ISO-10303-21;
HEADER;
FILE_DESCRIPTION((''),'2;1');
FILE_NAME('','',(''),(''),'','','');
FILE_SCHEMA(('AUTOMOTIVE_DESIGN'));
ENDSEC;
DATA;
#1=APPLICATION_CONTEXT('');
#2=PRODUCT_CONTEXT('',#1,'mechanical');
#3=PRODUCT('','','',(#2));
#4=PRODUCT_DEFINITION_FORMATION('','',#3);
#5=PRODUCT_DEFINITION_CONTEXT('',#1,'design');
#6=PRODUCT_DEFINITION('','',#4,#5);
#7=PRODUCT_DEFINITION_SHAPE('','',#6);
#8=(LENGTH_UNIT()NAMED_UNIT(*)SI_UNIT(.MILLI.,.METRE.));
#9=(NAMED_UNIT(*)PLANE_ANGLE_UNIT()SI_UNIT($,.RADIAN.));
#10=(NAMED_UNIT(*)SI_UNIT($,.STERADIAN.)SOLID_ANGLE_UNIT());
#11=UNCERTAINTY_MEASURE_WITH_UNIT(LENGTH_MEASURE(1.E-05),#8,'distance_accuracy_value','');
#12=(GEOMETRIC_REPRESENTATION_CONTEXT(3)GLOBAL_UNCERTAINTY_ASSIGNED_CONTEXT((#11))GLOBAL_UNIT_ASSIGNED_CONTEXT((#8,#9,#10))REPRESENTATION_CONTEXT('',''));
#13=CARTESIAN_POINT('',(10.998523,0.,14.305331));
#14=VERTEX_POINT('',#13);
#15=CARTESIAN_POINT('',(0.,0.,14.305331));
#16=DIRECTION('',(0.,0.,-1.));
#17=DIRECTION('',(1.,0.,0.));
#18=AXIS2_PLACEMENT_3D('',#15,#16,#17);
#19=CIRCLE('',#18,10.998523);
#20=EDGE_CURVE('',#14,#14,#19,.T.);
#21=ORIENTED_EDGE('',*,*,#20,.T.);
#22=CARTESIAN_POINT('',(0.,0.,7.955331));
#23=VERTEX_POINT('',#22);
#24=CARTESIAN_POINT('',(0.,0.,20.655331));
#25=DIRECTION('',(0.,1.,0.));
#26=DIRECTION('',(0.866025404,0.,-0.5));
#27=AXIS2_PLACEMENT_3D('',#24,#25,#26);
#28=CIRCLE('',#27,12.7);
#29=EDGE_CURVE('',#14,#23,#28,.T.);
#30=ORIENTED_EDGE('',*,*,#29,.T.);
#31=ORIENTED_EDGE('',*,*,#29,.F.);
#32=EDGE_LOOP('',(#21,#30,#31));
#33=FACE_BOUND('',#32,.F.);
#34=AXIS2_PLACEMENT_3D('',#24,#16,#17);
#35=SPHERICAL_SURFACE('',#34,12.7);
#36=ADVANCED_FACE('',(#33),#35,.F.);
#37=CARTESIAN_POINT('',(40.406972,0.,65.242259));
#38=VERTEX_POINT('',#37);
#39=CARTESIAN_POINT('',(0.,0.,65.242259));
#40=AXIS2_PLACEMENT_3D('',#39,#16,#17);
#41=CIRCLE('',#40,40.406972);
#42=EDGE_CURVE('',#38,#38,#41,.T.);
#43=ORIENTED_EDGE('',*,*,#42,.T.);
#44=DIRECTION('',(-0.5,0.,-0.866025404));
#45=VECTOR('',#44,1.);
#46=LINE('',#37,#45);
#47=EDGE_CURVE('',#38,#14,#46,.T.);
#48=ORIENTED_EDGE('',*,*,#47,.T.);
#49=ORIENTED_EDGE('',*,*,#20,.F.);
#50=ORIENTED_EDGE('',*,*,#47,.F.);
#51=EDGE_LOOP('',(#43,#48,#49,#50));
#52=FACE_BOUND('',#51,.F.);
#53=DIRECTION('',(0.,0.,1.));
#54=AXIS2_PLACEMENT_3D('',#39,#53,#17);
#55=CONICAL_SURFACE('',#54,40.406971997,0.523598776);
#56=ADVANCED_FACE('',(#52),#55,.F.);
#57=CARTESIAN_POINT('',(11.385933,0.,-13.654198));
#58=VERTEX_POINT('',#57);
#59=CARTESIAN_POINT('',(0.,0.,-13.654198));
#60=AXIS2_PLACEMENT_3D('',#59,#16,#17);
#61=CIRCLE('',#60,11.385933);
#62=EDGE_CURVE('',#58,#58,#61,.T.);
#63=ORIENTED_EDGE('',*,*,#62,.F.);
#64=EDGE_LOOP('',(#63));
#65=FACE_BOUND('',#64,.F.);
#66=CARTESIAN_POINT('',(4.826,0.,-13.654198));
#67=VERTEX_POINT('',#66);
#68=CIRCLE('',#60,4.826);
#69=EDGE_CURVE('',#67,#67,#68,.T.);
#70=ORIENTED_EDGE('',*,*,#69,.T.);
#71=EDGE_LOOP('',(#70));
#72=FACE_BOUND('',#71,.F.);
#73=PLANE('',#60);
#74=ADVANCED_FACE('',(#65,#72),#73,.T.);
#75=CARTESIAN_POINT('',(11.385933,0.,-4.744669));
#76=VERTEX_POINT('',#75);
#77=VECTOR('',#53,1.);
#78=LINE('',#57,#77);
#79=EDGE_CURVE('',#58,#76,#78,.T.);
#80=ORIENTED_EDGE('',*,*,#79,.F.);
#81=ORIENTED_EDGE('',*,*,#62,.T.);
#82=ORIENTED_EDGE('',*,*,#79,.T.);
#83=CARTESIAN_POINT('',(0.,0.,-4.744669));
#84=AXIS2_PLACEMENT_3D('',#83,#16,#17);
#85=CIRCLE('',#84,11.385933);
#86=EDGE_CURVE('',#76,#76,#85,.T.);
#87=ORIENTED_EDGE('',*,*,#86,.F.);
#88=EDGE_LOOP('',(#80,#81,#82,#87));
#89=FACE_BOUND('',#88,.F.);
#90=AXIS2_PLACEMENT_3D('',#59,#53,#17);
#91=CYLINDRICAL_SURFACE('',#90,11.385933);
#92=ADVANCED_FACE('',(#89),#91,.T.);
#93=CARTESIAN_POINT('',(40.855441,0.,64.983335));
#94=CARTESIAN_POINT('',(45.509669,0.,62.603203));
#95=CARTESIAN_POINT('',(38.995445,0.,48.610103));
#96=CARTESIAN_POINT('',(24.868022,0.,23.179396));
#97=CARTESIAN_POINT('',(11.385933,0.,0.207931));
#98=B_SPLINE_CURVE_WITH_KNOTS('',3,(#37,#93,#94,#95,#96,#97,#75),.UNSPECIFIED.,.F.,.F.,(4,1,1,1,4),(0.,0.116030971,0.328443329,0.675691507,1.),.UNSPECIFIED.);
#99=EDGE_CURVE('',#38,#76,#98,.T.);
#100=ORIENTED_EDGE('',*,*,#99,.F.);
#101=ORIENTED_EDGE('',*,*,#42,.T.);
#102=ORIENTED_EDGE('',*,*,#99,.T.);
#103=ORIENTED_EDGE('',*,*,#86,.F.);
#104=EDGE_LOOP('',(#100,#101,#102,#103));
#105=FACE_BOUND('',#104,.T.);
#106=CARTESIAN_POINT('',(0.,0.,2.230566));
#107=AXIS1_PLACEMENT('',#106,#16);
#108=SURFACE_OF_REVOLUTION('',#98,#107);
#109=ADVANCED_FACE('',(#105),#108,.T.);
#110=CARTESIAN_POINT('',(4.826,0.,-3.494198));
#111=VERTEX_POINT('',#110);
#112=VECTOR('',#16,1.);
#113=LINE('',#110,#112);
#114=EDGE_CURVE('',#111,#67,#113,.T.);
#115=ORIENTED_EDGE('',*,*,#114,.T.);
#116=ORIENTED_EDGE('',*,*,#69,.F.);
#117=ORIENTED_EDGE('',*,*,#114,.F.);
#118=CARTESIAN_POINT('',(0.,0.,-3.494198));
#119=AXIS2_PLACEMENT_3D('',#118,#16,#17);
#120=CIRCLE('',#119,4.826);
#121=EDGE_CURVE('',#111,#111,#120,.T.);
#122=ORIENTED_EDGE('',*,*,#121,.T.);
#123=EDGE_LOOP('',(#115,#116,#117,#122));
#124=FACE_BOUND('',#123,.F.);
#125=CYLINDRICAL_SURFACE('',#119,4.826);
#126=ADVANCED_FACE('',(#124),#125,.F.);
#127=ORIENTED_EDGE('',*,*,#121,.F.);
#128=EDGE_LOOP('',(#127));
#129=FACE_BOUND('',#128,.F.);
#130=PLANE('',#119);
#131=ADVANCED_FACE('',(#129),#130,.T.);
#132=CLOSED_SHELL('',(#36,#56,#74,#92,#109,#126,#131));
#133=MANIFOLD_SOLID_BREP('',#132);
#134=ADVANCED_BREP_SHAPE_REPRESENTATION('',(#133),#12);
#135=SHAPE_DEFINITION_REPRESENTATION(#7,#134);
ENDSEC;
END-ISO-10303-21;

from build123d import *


with BuildPart() as f1:
    # F0 (on Front) → F1 (revolve)
    with BuildSketch(Plane.XZ):
        with BuildLine():
            Line((4.826, -3.4941979684), (4.826, -13.6541979684))
            Line((4.826, -13.6541979684), (11.3859334961, -13.6541979684))
            Line((11.3859334961, -13.6541979684), (11.3859334961, -4.7446694225))
            add(Edge.make_bspline(
                [(40.4069719967, 65.2422590558), (40.855441035, 64.9833353358), (45.509668883, 62.6032034344), (38.9954447348, 48.6101027691), (24.8680224447, 23.1793958606), (11.3859334961, 0.2079311921), (11.3859334961, -4.7446694225)],
                knots=[0, 0, 0, 0, 0.1160309715, 0.3284433289, 0.6756915068, 1, 1, 1, 1], degree=3))
            Line((40.4069719967, 65.2422590558), (10.9985226281, 14.3053305775))
            ThreePointArc((10.9985226281, 14.3053305775), (6.35, 9.6568079494), (0, 7.9553305775))
            Line((0, 7.9553305775), (0, -3.4941979684))
            Line((0, -3.4941979684), (4.826, -3.4941979684))
        make_face()
    revolve(axis=Axis((0, 0, 2.2305663045), (0, 0, -1)))


solid = f1.part
